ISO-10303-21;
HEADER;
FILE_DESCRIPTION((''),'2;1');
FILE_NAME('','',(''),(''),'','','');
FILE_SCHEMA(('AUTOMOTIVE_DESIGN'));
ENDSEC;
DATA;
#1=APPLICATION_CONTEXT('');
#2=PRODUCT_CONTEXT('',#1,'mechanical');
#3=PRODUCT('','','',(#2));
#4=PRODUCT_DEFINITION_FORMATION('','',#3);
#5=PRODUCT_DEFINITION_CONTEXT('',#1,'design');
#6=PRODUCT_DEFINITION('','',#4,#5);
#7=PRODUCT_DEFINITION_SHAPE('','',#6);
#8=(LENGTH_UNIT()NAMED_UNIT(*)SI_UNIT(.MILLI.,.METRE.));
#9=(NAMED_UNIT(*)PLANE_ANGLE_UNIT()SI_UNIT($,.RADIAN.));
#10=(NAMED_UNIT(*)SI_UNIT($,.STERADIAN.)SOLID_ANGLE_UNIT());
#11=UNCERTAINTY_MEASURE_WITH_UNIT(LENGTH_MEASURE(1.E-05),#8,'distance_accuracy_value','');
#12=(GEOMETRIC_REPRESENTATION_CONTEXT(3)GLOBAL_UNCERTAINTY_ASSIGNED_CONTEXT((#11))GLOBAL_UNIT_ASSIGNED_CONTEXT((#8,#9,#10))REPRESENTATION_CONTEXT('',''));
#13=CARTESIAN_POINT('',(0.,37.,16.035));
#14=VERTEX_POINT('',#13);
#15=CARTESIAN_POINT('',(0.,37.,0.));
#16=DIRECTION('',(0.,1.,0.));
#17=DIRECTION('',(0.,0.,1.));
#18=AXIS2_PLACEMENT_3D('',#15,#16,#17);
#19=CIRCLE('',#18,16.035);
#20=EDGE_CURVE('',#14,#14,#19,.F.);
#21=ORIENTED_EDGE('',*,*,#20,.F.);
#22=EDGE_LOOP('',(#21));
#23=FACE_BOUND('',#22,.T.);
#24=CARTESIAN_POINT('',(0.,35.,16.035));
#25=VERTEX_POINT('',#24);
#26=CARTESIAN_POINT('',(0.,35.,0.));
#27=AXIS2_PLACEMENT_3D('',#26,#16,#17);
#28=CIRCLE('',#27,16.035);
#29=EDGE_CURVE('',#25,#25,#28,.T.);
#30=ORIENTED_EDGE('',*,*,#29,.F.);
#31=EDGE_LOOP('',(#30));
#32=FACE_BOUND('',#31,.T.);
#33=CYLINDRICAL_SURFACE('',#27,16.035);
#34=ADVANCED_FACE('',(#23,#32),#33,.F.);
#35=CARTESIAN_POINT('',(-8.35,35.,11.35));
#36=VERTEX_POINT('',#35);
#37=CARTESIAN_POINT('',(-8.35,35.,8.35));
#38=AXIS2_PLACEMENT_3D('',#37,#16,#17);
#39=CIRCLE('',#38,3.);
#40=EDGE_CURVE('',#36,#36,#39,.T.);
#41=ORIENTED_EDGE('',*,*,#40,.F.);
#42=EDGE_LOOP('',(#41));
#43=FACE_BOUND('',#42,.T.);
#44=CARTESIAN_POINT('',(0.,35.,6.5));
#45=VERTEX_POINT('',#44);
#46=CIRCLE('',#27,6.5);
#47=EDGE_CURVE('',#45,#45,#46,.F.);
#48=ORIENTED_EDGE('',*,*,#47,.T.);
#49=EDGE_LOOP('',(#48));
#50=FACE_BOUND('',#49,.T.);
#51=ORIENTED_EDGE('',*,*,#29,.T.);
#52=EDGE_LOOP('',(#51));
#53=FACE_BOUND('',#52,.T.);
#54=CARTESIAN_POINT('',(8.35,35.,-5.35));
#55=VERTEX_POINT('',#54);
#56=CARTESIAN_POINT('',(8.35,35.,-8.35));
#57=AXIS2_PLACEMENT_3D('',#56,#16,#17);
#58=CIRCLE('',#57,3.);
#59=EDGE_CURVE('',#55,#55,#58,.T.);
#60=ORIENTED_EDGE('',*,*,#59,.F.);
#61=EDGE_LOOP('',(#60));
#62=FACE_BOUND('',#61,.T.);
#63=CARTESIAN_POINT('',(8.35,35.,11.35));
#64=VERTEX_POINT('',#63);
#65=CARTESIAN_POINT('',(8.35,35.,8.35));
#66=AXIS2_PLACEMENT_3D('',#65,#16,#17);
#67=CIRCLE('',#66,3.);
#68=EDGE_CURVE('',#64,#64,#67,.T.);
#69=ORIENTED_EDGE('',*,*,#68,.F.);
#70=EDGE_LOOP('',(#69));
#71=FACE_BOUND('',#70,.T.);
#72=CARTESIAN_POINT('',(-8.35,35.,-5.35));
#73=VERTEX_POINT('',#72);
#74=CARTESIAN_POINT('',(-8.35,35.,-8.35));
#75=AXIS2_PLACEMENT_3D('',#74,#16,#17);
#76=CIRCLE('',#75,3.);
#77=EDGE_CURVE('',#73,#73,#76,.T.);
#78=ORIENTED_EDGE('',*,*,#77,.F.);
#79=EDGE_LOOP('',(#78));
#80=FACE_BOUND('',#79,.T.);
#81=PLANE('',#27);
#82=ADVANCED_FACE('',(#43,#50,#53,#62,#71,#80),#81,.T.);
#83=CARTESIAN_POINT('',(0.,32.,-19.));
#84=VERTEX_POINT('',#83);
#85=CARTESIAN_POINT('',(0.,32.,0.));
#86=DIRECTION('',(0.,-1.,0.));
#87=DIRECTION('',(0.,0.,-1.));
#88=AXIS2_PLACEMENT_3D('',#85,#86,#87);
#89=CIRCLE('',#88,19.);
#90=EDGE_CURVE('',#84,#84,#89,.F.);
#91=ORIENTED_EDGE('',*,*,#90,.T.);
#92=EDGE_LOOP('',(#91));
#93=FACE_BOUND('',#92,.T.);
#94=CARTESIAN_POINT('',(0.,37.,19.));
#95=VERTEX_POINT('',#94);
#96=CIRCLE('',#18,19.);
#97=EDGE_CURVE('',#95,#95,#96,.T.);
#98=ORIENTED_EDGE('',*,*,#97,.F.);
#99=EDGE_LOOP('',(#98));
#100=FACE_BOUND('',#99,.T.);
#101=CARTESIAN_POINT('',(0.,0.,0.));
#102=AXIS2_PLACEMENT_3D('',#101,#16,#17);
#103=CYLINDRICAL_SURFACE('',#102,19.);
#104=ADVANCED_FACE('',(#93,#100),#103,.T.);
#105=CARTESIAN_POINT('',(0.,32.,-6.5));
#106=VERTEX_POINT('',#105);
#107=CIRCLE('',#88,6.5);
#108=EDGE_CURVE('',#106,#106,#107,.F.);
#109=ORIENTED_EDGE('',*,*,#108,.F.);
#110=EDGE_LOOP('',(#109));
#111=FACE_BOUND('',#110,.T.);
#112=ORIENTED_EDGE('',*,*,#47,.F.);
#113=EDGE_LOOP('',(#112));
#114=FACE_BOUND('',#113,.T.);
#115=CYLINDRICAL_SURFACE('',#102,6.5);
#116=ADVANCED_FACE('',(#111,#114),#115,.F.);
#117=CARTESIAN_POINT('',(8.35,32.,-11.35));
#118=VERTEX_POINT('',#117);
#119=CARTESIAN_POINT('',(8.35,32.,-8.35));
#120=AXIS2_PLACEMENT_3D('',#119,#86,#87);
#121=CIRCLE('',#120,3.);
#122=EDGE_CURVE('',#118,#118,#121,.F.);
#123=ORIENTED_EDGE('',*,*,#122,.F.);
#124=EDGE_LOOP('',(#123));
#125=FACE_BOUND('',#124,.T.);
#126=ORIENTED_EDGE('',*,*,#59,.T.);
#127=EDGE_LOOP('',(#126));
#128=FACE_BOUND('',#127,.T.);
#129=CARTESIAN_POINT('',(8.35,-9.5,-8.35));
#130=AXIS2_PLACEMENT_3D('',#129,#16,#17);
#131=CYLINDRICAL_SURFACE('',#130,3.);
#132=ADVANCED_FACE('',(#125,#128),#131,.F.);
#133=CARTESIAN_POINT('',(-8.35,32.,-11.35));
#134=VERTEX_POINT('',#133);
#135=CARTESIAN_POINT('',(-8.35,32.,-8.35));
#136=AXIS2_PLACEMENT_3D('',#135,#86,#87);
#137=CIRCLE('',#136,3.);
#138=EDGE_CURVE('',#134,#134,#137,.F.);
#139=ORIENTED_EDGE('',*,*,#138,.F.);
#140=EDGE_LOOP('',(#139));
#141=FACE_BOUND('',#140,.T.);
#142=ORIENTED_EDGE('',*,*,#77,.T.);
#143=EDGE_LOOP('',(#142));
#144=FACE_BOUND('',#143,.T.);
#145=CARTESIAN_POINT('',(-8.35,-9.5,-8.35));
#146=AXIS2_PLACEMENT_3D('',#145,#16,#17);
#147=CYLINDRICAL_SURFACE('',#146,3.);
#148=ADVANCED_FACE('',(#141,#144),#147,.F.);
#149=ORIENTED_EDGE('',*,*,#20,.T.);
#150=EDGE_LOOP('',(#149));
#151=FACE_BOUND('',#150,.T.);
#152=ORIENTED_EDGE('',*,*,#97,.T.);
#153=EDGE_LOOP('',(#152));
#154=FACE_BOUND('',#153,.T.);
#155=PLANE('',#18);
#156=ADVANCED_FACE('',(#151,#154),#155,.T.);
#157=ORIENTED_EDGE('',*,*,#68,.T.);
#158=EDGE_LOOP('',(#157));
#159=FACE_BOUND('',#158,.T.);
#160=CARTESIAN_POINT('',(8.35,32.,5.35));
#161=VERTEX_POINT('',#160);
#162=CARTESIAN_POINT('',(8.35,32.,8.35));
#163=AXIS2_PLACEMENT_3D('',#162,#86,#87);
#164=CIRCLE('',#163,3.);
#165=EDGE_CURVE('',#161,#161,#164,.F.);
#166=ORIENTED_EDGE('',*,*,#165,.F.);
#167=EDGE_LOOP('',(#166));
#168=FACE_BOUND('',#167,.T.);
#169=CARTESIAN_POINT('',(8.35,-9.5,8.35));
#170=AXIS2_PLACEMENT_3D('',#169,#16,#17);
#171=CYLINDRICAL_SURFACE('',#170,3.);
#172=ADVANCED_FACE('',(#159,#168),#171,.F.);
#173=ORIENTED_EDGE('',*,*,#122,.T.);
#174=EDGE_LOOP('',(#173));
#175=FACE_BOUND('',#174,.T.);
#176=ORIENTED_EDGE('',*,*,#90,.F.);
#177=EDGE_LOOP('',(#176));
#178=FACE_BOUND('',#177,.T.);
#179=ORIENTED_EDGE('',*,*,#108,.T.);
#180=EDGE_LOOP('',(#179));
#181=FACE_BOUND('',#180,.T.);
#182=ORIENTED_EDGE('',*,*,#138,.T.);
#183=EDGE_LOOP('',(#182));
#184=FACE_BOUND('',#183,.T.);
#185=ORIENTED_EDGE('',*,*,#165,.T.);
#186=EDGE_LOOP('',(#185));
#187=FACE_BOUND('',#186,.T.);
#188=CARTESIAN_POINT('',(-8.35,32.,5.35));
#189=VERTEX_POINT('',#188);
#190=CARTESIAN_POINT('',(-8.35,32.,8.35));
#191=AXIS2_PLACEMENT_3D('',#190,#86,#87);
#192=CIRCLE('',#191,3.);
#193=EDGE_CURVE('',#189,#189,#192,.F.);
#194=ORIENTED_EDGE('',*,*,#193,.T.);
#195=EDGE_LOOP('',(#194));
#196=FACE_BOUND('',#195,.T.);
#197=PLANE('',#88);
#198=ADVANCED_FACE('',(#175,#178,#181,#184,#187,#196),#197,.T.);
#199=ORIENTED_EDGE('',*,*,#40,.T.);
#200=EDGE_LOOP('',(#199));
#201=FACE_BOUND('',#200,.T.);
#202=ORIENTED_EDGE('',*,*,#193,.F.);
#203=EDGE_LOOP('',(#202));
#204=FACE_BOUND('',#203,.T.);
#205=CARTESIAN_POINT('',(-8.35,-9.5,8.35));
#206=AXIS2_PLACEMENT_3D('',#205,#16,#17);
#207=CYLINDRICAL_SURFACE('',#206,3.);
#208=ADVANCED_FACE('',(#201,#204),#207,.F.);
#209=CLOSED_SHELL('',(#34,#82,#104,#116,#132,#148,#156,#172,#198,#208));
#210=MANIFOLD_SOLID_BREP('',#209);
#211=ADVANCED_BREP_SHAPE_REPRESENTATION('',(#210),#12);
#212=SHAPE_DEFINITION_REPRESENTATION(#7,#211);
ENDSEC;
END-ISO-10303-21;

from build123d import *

# Parameters (mm, degrees)
SKETCH1_R           = 105
BOSS_EXTRUDE1_DEPTH = 40
SKETCH3_R           = 6.5
CUT_EXTRUDE2_DEPTH  = 40
SKETCH4_R           = 16.035
CUT_EXTRUDE3_DEPTH  = 5
SKETCH8_R           = 3
CUT_EXTRUDE6_DEPTH  = 44.5
SKETCH11_R          = 90
SKETCH11_R_2        = 26.035
CUT_EXTRUDE8_DEPTH  = 10
BOSS_EXTRUDE2_START = -3
SKETCH12_R          = 108
SKETCH12_R_2        = 105
BOSS_EXTRUDE2_DEPTH = 3
SKETCH13_R          = 108
SKETCH13_R_2        = 19
CUT_EXTRUDE9_DEPTH  = 158.886034848
SKETCH14_R          = 27.444507403
CUT_EXTRUDE10_DEPTH = 32
SKETCH15_R          = 19
CUT_EXTRUDE11_DEPTH = 3


with BuildPart() as part:
    # Sketch1 → Boss-Extrude1 (new body)
    with BuildSketch(Plane(origin=(0, 0, 0), x_dir=(1, 0, 0), z_dir=(0, 1, 0))):
        Circle(SKETCH1_R)
    extrude(amount=BOSS_EXTRUDE1_DEPTH)

    # Sketch3 → Cut-Extrude2 (cut)
    with BuildSketch(Plane(origin=(0, 40, 0), x_dir=(1, 0, 0), z_dir=(0, 1, 0))):
        Circle(SKETCH3_R)
    extrude(amount=-CUT_EXTRUDE2_DEPTH, mode=Mode.SUBTRACT)

    # Sketch4 → Cut-Extrude3 (cut)
    with BuildSketch(Plane(origin=(0, 40, 0), x_dir=(1, 0, 0), z_dir=(0, 1, 0))):
        Circle(SKETCH4_R)
    extrude(amount=-CUT_EXTRUDE3_DEPTH, mode=Mode.SUBTRACT)

    # Sketch8 → Cut-Extrude6 (cut)
    with BuildSketch(Plane(origin=(0, 35, 0), x_dir=(1, 0, 0), z_dir=(0, 1, 0))):
        with Locations((-8.35, 8.35)):
            Circle(SKETCH8_R)
        with Locations((8.35, 8.35)):
            Circle(SKETCH8_R)
        with Locations((8.35, -8.35)):
            Circle(SKETCH8_R)
        with Locations((-8.35, -8.35)):
            Circle(SKETCH8_R)
    extrude(amount=-CUT_EXTRUDE6_DEPTH, mode=Mode.SUBTRACT)

    # Sketch11 → Cut-Extrude8 (cut)
    with BuildSketch(Plane(origin=(0, 40, 0), x_dir=(1, 0, 0), z_dir=(0, 1, 0))):
        Circle(SKETCH11_R)
        Circle(SKETCH11_R_2, mode=Mode.SUBTRACT)
    extrude(amount=-CUT_EXTRUDE8_DEPTH, mode=Mode.SUBTRACT)

    # Sketch12 → Boss-Extrude2 (add)
    with BuildSketch(Plane(origin=(0, 40, 0), x_dir=(1, 0, 0), z_dir=(0, 1, 0)).offset(BOSS_EXTRUDE2_START)):
        Circle(SKETCH12_R)
        Circle(SKETCH12_R_2, mode=Mode.SUBTRACT)
    boss_extrude2 = extrude(amount=BOSS_EXTRUDE2_DEPTH)

    # Mirror1: Boss-Extrude2 across plane
    add(boss_extrude2.mirror(Plane(origin=(0, 20, 0), x_dir=(0, 0, 1), z_dir=(0, -1, 0))))

    # Sketch13 → Cut-Extrude9 (cut, through all)
    with BuildSketch(Plane(origin=(0, 40, 0), x_dir=(1, 0, 0), z_dir=(0, 1, 0))):
        Circle(SKETCH13_R)
        Circle(SKETCH13_R_2, mode=Mode.SUBTRACT)
    extrude(amount=-CUT_EXTRUDE9_DEPTH, mode=Mode.SUBTRACT)

    # Sketch14 → Cut-Extrude10 (cut)
    with BuildSketch(Plane.XZ):
        Circle(SKETCH14_R)
    extrude(amount=-CUT_EXTRUDE10_DEPTH, mode=Mode.SUBTRACT)

    # Sketch15 → Cut-Extrude11 (cut)
    with BuildSketch(Plane(origin=(0, 40, 0), x_dir=(1, 0, 0), z_dir=(0, 1, 0))):
        Circle(SKETCH15_R)
    extrude(amount=-CUT_EXTRUDE11_DEPTH, mode=Mode.SUBTRACT)


solid = part.part
